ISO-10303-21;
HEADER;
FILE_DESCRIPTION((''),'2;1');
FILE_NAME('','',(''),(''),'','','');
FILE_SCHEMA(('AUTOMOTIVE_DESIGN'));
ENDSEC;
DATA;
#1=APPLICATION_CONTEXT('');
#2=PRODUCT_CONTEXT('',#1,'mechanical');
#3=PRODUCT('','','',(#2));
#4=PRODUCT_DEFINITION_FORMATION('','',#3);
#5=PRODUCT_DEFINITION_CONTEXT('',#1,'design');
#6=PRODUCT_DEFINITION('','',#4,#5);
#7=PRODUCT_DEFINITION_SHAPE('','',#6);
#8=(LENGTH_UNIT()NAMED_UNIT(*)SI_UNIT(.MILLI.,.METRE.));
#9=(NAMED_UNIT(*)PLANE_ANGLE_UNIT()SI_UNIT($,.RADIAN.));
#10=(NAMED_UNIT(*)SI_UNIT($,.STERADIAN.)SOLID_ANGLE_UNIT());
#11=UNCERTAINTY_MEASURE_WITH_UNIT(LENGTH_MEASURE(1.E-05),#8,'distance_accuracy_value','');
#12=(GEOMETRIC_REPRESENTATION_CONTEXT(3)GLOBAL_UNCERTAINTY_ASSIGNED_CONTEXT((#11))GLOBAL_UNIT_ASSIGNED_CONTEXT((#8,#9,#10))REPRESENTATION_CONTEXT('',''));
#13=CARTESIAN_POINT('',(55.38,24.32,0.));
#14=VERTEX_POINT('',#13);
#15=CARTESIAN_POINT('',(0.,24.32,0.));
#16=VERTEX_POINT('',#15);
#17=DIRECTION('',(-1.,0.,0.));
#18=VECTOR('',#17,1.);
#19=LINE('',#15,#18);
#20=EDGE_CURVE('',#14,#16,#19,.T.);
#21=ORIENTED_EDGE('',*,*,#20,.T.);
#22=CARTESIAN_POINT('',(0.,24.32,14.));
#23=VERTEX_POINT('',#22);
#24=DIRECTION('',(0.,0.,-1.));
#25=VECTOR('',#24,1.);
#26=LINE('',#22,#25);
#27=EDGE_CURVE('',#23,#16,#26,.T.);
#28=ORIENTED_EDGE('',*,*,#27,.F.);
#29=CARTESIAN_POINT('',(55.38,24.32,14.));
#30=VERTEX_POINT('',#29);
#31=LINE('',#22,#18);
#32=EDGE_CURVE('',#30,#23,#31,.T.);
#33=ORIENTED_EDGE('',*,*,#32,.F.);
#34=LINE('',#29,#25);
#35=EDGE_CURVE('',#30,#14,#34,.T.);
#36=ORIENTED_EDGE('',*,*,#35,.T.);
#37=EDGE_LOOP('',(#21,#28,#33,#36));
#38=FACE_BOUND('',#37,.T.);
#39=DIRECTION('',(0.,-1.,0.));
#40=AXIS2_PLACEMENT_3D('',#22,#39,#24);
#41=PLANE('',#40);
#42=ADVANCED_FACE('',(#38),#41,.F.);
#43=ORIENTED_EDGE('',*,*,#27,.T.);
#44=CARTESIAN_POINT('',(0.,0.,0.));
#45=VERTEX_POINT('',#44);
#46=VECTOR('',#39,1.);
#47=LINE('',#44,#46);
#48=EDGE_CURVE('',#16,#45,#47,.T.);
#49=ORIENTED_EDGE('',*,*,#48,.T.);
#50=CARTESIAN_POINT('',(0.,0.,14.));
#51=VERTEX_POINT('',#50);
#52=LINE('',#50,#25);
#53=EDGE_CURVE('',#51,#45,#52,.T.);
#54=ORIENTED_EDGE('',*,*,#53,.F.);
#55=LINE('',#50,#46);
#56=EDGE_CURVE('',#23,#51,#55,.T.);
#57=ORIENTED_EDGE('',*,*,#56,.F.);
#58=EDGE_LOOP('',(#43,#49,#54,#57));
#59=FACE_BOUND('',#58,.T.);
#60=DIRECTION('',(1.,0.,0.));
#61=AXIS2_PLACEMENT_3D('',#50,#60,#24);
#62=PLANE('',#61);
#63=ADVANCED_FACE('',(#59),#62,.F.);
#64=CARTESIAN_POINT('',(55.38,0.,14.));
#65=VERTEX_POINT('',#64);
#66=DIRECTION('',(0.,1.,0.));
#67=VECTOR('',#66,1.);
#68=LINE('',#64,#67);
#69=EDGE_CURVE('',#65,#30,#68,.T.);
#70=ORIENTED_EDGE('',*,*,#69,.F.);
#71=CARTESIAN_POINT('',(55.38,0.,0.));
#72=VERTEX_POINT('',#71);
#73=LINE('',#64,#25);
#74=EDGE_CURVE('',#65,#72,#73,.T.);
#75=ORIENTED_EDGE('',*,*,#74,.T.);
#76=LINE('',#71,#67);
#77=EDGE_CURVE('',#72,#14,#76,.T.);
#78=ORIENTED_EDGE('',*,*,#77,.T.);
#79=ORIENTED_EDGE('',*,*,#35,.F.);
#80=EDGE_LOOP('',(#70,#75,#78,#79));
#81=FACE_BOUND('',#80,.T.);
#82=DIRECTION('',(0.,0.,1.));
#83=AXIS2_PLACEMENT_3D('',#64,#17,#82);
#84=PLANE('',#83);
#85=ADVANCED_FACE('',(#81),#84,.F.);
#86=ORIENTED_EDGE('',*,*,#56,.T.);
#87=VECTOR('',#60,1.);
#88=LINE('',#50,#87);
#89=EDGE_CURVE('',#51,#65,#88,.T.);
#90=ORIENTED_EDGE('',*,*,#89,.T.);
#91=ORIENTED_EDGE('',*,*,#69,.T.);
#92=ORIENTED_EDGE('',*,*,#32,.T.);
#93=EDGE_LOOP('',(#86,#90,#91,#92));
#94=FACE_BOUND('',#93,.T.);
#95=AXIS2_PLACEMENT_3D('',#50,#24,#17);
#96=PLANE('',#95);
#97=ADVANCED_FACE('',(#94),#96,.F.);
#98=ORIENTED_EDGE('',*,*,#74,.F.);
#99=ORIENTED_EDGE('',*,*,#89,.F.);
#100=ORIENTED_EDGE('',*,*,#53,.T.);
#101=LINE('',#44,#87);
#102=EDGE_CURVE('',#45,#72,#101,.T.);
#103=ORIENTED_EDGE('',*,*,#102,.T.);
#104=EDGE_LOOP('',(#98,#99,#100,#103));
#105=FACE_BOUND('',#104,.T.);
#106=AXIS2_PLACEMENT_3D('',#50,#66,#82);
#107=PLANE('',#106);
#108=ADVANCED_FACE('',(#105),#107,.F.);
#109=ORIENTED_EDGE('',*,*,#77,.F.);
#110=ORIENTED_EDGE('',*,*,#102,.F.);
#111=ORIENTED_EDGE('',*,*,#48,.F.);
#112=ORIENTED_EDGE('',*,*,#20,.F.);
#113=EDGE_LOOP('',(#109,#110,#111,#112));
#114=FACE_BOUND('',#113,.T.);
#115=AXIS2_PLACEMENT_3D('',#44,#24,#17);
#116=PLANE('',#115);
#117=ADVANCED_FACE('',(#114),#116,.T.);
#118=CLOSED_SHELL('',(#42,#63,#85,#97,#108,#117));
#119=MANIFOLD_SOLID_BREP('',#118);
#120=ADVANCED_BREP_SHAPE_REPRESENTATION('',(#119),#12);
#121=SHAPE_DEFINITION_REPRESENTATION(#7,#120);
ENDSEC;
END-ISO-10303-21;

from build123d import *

# Parameters (mm, degrees)
SKETCH1_W           = 55.38
SKETCH1_H           = 24.32
BOSS_EXTRUDE1_DEPTH = 14


with BuildPart() as part:
    # Sketch1 → Boss-Extrude1 (new body)
    with BuildSketch(Plane.XY):
        with Locations((27.69, 12.16)):
            Rectangle(SKETCH1_W, SKETCH1_H)
    extrude(amount=BOSS_EXTRUDE1_DEPTH)


solid = part.part
